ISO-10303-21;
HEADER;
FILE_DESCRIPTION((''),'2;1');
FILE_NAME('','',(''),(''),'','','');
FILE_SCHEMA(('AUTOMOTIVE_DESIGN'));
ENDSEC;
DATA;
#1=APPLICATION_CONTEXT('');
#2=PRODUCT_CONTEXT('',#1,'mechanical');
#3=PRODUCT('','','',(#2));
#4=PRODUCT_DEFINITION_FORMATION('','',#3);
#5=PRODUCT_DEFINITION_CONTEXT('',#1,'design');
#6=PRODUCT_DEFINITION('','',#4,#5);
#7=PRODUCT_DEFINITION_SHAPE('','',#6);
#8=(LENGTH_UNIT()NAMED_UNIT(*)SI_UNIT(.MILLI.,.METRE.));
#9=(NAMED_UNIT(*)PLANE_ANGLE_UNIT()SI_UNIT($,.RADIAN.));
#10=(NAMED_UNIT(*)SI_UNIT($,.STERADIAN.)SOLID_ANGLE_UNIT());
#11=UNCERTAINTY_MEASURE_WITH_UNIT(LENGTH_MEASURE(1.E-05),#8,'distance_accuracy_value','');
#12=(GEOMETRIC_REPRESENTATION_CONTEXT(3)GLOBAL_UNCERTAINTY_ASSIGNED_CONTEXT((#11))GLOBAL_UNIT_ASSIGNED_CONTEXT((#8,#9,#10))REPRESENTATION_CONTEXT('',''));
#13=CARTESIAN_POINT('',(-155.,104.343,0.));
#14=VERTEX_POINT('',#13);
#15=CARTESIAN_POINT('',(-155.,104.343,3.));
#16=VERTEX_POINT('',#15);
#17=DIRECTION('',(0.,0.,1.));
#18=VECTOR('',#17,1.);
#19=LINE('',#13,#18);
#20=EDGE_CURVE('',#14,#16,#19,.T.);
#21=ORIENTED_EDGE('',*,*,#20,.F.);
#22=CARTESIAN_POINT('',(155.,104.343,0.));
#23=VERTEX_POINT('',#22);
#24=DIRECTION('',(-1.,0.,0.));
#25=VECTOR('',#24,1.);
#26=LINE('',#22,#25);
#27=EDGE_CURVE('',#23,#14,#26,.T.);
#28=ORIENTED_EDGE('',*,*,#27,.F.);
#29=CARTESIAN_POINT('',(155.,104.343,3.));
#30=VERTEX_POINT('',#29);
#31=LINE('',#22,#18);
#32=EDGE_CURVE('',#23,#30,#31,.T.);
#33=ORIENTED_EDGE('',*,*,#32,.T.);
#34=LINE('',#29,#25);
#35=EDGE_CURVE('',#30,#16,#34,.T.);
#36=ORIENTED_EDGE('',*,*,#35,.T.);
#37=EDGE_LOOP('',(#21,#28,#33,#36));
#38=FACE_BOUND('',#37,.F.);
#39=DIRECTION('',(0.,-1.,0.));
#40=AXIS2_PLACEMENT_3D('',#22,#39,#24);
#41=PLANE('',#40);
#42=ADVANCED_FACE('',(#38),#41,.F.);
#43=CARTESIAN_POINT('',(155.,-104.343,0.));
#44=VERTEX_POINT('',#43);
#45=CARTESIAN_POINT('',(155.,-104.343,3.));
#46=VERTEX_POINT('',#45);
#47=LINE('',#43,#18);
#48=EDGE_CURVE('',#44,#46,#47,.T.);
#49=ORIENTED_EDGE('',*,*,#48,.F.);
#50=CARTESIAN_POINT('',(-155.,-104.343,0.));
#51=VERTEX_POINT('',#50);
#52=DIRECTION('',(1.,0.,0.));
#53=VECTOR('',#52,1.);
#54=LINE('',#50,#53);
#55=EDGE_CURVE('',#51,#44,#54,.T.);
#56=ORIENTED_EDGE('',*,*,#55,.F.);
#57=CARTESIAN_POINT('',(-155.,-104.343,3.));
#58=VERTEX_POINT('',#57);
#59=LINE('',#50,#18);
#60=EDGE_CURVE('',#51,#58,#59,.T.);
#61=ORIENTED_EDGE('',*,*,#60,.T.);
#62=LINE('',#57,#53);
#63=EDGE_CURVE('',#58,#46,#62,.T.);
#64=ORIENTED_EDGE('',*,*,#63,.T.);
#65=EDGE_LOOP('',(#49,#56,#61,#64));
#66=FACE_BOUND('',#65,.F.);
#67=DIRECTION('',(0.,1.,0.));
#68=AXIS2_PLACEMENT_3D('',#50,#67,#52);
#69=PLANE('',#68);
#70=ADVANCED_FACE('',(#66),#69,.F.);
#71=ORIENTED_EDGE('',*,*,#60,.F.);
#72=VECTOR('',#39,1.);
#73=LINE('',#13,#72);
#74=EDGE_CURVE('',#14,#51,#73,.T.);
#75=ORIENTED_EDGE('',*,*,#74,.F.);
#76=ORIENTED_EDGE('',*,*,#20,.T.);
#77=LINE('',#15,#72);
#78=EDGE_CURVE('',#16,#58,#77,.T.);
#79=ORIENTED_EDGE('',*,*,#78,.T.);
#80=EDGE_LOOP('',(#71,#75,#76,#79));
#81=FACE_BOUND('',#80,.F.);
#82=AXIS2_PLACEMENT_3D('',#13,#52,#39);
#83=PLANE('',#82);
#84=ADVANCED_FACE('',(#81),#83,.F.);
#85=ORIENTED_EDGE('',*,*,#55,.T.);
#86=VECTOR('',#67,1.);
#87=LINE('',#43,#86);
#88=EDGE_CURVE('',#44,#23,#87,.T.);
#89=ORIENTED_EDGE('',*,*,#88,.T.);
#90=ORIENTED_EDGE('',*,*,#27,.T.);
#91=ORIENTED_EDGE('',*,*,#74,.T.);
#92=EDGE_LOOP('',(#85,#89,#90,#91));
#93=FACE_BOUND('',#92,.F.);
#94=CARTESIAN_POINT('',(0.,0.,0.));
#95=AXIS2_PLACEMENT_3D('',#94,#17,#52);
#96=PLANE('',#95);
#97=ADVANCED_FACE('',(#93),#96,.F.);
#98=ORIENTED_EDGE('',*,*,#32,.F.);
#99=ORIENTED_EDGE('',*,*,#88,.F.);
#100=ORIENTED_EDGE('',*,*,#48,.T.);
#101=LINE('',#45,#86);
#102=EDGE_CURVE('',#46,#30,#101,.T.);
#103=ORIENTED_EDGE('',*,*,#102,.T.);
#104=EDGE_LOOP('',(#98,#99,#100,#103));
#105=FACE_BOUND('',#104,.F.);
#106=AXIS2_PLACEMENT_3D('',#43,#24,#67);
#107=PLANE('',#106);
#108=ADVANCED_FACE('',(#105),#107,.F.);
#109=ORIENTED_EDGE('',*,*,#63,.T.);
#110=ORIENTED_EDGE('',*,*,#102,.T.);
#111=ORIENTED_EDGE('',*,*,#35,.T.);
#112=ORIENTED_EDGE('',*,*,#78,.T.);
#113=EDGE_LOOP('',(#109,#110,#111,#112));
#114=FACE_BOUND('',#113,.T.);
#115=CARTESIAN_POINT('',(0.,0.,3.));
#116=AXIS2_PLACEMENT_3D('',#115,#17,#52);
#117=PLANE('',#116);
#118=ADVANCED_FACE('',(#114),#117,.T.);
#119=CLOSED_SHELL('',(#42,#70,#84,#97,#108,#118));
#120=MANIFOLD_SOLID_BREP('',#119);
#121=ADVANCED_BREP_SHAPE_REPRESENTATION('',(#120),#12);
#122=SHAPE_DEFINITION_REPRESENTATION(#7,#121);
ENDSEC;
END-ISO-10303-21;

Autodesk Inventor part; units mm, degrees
ref_plane "YZ Plane" through (0, 0, 0) normal (1, 0, 0) x (0, 1, 0)
ref_plane "XZ Plane" through (0, 0, 0) normal (0, 1, 0) x (-1, 0, 0)
ref_plane "XY Plane" through (0, 0, 0) normal (0, 0, 1) x (1, 0, 0)
sketch "Sketch6" plane through (0, 0, 0) normal (0, 0, 1) x (1, 0, 0)
  line L0 (155, 104.343) -> (-155, 104.343)
  line L1 (-155, 104.343) -> (-155, -104.343)
  line L2 (-155, -104.343) -> (155, -104.343)
  line L3 (155, -104.343) -> (155, 104.343)
  line L4 (155, 104.343) -> (-155, -104.343) construction
  line L5 (-155, 104.343) -> (155, -104.343) construction
  point P0 (0, 0)
  dimension "d40" = 310
  dimension "d41" = 208.686
extrude "Plate5" add sketch "Sketch6" along normal blind 3
equation "\"d42\" = Thickness"
equation "\"BendReliefWidth\" = Thickness"
equation "\"BendReliefDepth\" = 0.5 * Thickness"
equation "\"CornerReliefSize\" = 4 * Thickness"
equation "\"MinimumRemnant\" = 2 * Thickness"
equation "\"TransitionRadius\" = BendRadius"
equation "\"JacobiRadiusSize\" = BendRadius"
equation "\"GapSize\" = Thickness"
equation "\"Thickness\" = 3"
equation "\"BendRadius\" = 5"
properties part number "BSH 038 divider" material "Water"
